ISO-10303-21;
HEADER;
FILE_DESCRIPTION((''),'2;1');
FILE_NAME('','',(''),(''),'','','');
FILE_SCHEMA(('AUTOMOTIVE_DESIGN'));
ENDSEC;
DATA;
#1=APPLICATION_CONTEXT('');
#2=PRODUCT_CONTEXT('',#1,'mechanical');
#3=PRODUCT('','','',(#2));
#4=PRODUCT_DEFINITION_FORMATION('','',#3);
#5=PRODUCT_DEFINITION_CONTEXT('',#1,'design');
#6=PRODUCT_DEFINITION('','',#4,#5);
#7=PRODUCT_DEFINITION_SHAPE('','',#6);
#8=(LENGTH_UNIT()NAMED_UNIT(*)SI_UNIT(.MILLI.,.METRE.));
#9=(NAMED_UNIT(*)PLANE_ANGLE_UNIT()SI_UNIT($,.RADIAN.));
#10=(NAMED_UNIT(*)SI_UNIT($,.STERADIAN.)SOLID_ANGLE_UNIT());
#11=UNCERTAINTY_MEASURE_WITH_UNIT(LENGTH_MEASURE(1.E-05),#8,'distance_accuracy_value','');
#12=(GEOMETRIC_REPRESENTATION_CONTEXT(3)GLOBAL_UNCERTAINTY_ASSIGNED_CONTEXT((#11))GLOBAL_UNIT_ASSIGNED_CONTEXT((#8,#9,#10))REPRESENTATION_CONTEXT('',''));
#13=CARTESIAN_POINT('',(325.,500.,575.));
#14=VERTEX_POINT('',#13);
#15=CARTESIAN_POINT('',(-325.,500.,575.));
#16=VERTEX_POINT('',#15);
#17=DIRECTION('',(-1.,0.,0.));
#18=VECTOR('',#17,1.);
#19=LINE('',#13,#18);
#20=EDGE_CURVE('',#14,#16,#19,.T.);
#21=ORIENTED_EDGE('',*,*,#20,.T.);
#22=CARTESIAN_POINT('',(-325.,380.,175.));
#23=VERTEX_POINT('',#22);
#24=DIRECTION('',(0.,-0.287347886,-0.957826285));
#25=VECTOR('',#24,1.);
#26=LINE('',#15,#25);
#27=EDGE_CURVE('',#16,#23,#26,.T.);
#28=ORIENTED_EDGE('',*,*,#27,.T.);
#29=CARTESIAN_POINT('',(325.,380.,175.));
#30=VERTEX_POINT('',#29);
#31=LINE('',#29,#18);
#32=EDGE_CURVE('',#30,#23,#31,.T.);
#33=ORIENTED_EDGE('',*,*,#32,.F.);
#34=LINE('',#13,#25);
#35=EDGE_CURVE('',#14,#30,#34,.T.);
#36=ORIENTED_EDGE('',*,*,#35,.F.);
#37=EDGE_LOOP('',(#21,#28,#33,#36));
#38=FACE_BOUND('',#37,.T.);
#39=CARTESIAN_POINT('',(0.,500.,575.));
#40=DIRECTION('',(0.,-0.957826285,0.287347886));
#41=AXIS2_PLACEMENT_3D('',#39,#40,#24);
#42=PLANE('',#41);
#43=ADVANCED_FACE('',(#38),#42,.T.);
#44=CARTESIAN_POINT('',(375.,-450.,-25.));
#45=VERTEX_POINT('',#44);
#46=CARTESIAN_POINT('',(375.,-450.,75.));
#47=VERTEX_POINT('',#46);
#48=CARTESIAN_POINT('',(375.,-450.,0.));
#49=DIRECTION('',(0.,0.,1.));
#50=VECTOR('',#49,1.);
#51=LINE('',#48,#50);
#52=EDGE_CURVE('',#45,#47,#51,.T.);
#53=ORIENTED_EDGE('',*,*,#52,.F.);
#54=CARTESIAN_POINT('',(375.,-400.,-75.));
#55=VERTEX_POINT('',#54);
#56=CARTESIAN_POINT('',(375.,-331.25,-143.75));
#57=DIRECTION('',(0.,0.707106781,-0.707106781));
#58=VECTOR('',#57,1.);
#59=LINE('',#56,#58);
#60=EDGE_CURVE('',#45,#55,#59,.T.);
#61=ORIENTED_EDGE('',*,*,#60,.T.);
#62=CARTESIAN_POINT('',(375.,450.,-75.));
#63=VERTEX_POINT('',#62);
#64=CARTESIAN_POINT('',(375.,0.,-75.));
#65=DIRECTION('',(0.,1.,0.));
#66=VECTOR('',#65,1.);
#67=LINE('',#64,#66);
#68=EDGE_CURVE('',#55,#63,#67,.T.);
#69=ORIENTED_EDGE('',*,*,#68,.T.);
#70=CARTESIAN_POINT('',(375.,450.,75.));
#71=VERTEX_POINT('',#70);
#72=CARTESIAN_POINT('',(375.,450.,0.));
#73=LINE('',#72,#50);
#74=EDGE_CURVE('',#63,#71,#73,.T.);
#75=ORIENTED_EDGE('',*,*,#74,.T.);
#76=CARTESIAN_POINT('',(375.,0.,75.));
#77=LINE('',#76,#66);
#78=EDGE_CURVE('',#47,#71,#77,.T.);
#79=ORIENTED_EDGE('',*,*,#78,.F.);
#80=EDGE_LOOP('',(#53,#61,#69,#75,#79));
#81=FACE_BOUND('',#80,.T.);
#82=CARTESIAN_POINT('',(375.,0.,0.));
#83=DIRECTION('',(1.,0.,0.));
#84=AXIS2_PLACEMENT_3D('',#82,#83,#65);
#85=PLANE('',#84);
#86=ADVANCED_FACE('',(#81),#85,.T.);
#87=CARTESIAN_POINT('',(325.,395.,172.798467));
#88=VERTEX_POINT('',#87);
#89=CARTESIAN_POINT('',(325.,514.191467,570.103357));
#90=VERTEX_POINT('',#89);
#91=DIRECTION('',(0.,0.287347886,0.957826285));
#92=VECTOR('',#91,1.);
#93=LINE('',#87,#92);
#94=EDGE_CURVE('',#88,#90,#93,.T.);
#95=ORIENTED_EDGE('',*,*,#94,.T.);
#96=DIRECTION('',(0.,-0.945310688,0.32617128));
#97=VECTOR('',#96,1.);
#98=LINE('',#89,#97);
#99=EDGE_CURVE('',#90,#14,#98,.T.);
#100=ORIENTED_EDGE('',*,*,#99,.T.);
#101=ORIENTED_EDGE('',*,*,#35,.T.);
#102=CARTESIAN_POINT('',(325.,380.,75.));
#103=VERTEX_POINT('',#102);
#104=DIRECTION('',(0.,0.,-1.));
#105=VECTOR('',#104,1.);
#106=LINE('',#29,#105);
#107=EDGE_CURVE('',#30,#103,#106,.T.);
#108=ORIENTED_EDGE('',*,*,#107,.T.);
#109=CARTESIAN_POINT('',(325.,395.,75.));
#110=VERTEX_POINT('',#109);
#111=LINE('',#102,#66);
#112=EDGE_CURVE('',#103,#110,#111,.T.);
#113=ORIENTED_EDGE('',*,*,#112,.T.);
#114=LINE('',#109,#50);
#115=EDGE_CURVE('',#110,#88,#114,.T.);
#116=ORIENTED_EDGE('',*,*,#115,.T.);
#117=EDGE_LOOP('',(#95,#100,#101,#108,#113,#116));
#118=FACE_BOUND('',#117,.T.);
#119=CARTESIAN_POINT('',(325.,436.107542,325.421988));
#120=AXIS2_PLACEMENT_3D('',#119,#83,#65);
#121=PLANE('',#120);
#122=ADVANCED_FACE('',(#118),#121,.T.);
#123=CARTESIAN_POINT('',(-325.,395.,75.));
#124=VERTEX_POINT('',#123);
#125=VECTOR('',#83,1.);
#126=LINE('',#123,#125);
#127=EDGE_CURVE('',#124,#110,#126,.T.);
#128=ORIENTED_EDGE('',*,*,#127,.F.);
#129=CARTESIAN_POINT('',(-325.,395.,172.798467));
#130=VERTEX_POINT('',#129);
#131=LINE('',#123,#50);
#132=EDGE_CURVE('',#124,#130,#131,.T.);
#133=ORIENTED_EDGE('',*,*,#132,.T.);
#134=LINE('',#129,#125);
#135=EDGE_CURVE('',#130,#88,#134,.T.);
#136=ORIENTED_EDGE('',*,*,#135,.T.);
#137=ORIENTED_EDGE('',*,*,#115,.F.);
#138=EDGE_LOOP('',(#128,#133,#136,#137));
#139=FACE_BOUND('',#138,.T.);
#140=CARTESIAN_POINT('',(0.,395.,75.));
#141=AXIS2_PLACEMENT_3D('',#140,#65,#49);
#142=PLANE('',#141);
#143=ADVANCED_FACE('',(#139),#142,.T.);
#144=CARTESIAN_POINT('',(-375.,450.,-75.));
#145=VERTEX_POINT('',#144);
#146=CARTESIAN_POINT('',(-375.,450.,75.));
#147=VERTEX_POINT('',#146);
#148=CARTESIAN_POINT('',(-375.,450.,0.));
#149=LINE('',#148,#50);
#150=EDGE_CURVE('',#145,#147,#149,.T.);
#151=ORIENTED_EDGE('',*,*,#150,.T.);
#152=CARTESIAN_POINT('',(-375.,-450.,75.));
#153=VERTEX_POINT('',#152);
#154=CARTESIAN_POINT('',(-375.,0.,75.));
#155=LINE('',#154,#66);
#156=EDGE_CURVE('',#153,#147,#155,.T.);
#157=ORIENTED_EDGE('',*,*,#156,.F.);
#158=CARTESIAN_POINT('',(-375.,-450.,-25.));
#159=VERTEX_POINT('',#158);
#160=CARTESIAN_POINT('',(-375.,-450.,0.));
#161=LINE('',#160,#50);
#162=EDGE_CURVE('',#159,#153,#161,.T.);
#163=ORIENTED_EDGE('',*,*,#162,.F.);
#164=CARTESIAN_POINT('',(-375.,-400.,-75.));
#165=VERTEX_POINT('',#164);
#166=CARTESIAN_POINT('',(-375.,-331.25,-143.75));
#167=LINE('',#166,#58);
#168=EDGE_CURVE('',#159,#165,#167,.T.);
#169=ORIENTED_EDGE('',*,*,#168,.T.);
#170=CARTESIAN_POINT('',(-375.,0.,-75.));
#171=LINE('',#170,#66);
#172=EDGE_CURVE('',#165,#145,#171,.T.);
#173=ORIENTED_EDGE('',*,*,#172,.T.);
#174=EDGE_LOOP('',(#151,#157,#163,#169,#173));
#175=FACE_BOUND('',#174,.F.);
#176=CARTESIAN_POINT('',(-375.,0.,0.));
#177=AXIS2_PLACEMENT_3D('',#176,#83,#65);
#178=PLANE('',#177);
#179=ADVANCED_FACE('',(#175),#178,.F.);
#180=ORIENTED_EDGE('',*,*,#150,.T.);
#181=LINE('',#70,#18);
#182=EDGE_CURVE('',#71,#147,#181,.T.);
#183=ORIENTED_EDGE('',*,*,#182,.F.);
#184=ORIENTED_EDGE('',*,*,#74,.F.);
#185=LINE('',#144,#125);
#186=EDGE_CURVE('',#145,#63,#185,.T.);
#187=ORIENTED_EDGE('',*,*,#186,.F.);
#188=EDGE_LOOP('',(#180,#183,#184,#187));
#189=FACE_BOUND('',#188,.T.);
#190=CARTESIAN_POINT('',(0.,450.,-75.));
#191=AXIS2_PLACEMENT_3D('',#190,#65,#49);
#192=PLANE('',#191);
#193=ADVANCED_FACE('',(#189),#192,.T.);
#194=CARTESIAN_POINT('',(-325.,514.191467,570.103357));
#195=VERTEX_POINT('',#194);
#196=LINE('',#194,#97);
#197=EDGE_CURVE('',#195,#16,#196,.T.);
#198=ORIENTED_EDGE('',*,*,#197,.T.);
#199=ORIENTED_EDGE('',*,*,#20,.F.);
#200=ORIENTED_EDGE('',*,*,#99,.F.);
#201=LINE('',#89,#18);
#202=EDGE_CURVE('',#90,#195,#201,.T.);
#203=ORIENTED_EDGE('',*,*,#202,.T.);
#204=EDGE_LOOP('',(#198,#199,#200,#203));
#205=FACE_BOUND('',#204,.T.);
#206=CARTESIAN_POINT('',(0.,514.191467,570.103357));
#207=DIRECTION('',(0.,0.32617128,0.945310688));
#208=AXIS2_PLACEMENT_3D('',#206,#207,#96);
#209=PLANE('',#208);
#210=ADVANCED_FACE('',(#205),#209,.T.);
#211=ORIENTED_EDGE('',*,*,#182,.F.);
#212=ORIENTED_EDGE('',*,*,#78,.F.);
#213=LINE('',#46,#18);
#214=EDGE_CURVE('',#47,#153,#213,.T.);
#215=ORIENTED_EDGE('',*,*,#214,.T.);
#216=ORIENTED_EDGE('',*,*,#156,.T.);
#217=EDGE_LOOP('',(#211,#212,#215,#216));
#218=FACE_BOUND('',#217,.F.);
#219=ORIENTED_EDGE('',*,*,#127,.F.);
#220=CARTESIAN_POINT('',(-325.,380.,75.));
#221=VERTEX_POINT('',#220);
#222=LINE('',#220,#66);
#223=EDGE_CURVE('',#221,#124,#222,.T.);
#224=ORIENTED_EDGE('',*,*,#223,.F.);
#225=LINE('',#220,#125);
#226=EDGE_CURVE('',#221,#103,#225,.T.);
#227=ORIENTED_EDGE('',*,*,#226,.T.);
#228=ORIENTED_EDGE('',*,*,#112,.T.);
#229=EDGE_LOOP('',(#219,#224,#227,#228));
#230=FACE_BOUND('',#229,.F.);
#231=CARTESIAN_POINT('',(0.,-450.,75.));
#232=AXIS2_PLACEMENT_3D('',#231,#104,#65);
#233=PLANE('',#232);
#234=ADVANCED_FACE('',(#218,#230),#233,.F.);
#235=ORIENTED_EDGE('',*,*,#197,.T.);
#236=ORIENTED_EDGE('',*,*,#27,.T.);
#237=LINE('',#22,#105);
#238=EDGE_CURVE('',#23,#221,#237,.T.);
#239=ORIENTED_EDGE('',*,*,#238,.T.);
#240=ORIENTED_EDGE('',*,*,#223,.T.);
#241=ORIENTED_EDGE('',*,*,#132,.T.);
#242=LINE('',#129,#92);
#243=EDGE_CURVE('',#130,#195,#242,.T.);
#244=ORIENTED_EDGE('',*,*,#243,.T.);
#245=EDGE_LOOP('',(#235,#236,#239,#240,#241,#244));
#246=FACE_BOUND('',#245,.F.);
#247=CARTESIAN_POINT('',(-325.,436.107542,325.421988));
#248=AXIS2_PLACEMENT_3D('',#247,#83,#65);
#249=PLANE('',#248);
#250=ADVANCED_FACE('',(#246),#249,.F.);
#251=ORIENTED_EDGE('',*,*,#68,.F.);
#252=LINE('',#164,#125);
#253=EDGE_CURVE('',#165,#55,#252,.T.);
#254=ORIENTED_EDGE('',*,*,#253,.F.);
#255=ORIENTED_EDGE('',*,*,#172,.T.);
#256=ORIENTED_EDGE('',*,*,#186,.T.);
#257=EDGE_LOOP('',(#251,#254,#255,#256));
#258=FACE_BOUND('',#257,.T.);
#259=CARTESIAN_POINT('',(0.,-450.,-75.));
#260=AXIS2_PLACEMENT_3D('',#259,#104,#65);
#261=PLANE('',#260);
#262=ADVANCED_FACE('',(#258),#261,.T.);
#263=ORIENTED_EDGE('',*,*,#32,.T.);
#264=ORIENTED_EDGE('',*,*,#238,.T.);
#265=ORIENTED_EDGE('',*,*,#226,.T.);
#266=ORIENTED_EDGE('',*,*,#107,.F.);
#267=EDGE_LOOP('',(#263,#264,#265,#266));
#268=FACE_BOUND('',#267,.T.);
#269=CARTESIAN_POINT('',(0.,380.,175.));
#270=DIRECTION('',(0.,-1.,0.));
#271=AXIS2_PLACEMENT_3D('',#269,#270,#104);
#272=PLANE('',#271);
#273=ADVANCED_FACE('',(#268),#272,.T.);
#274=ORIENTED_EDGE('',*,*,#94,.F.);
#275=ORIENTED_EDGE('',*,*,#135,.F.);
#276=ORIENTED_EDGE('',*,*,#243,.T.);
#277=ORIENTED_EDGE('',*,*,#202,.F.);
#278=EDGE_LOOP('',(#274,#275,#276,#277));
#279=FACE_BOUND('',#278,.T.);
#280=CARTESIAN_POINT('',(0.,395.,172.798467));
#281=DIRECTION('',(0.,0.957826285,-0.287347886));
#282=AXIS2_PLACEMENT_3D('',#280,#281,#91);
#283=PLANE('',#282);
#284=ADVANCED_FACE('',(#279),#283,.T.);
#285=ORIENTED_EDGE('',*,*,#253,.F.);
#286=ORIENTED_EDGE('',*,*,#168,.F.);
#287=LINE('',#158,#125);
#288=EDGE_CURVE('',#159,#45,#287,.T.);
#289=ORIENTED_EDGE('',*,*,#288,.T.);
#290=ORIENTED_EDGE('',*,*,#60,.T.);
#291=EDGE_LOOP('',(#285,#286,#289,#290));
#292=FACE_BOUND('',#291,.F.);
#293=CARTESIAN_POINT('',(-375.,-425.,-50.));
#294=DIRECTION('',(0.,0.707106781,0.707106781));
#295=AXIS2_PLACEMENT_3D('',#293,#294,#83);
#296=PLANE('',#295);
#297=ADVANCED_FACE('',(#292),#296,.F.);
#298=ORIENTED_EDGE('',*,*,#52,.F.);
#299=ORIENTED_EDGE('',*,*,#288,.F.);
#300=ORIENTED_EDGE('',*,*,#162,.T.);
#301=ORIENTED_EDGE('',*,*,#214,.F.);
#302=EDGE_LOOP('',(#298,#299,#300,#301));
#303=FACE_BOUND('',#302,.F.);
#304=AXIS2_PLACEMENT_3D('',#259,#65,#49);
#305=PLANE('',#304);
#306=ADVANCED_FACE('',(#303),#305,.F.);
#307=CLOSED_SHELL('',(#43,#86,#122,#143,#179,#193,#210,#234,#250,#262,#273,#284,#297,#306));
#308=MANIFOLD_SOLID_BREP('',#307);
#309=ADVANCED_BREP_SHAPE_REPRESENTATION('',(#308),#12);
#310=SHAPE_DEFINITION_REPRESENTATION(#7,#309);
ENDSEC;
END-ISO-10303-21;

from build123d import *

# Parameters (mm, degrees)
F0_W     = 900
F0_H     = 150
F1_DEPTH = 375
F2_SIZE  = 50
F4_DEPTH = 325


with BuildPart() as f1:
    # F0 (on Right) → F1 (new body, symmetric)
    with BuildSketch(Plane.YZ):
        Rectangle(F0_W, F0_H)
    extrude(amount=F1_DEPTH, both=True)

    # F2
    f2_edges = [f1.edges().sort_by_distance(p)[0] for p in [
        (0, -450, -75),
    ]]
    chamfer(f2_edges, length=F2_SIZE)

    # F3 (on Right) → F4 (join, symmetric)
    with BuildSketch(Plane.YZ):
        Polygon((380, 175), (380, 75), (395, 75), (395, 172.798467), (514.191467, 570.103357), (500, 575), align=None)
    extrude(amount=F4_DEPTH, both=True)


solid = f1.part
